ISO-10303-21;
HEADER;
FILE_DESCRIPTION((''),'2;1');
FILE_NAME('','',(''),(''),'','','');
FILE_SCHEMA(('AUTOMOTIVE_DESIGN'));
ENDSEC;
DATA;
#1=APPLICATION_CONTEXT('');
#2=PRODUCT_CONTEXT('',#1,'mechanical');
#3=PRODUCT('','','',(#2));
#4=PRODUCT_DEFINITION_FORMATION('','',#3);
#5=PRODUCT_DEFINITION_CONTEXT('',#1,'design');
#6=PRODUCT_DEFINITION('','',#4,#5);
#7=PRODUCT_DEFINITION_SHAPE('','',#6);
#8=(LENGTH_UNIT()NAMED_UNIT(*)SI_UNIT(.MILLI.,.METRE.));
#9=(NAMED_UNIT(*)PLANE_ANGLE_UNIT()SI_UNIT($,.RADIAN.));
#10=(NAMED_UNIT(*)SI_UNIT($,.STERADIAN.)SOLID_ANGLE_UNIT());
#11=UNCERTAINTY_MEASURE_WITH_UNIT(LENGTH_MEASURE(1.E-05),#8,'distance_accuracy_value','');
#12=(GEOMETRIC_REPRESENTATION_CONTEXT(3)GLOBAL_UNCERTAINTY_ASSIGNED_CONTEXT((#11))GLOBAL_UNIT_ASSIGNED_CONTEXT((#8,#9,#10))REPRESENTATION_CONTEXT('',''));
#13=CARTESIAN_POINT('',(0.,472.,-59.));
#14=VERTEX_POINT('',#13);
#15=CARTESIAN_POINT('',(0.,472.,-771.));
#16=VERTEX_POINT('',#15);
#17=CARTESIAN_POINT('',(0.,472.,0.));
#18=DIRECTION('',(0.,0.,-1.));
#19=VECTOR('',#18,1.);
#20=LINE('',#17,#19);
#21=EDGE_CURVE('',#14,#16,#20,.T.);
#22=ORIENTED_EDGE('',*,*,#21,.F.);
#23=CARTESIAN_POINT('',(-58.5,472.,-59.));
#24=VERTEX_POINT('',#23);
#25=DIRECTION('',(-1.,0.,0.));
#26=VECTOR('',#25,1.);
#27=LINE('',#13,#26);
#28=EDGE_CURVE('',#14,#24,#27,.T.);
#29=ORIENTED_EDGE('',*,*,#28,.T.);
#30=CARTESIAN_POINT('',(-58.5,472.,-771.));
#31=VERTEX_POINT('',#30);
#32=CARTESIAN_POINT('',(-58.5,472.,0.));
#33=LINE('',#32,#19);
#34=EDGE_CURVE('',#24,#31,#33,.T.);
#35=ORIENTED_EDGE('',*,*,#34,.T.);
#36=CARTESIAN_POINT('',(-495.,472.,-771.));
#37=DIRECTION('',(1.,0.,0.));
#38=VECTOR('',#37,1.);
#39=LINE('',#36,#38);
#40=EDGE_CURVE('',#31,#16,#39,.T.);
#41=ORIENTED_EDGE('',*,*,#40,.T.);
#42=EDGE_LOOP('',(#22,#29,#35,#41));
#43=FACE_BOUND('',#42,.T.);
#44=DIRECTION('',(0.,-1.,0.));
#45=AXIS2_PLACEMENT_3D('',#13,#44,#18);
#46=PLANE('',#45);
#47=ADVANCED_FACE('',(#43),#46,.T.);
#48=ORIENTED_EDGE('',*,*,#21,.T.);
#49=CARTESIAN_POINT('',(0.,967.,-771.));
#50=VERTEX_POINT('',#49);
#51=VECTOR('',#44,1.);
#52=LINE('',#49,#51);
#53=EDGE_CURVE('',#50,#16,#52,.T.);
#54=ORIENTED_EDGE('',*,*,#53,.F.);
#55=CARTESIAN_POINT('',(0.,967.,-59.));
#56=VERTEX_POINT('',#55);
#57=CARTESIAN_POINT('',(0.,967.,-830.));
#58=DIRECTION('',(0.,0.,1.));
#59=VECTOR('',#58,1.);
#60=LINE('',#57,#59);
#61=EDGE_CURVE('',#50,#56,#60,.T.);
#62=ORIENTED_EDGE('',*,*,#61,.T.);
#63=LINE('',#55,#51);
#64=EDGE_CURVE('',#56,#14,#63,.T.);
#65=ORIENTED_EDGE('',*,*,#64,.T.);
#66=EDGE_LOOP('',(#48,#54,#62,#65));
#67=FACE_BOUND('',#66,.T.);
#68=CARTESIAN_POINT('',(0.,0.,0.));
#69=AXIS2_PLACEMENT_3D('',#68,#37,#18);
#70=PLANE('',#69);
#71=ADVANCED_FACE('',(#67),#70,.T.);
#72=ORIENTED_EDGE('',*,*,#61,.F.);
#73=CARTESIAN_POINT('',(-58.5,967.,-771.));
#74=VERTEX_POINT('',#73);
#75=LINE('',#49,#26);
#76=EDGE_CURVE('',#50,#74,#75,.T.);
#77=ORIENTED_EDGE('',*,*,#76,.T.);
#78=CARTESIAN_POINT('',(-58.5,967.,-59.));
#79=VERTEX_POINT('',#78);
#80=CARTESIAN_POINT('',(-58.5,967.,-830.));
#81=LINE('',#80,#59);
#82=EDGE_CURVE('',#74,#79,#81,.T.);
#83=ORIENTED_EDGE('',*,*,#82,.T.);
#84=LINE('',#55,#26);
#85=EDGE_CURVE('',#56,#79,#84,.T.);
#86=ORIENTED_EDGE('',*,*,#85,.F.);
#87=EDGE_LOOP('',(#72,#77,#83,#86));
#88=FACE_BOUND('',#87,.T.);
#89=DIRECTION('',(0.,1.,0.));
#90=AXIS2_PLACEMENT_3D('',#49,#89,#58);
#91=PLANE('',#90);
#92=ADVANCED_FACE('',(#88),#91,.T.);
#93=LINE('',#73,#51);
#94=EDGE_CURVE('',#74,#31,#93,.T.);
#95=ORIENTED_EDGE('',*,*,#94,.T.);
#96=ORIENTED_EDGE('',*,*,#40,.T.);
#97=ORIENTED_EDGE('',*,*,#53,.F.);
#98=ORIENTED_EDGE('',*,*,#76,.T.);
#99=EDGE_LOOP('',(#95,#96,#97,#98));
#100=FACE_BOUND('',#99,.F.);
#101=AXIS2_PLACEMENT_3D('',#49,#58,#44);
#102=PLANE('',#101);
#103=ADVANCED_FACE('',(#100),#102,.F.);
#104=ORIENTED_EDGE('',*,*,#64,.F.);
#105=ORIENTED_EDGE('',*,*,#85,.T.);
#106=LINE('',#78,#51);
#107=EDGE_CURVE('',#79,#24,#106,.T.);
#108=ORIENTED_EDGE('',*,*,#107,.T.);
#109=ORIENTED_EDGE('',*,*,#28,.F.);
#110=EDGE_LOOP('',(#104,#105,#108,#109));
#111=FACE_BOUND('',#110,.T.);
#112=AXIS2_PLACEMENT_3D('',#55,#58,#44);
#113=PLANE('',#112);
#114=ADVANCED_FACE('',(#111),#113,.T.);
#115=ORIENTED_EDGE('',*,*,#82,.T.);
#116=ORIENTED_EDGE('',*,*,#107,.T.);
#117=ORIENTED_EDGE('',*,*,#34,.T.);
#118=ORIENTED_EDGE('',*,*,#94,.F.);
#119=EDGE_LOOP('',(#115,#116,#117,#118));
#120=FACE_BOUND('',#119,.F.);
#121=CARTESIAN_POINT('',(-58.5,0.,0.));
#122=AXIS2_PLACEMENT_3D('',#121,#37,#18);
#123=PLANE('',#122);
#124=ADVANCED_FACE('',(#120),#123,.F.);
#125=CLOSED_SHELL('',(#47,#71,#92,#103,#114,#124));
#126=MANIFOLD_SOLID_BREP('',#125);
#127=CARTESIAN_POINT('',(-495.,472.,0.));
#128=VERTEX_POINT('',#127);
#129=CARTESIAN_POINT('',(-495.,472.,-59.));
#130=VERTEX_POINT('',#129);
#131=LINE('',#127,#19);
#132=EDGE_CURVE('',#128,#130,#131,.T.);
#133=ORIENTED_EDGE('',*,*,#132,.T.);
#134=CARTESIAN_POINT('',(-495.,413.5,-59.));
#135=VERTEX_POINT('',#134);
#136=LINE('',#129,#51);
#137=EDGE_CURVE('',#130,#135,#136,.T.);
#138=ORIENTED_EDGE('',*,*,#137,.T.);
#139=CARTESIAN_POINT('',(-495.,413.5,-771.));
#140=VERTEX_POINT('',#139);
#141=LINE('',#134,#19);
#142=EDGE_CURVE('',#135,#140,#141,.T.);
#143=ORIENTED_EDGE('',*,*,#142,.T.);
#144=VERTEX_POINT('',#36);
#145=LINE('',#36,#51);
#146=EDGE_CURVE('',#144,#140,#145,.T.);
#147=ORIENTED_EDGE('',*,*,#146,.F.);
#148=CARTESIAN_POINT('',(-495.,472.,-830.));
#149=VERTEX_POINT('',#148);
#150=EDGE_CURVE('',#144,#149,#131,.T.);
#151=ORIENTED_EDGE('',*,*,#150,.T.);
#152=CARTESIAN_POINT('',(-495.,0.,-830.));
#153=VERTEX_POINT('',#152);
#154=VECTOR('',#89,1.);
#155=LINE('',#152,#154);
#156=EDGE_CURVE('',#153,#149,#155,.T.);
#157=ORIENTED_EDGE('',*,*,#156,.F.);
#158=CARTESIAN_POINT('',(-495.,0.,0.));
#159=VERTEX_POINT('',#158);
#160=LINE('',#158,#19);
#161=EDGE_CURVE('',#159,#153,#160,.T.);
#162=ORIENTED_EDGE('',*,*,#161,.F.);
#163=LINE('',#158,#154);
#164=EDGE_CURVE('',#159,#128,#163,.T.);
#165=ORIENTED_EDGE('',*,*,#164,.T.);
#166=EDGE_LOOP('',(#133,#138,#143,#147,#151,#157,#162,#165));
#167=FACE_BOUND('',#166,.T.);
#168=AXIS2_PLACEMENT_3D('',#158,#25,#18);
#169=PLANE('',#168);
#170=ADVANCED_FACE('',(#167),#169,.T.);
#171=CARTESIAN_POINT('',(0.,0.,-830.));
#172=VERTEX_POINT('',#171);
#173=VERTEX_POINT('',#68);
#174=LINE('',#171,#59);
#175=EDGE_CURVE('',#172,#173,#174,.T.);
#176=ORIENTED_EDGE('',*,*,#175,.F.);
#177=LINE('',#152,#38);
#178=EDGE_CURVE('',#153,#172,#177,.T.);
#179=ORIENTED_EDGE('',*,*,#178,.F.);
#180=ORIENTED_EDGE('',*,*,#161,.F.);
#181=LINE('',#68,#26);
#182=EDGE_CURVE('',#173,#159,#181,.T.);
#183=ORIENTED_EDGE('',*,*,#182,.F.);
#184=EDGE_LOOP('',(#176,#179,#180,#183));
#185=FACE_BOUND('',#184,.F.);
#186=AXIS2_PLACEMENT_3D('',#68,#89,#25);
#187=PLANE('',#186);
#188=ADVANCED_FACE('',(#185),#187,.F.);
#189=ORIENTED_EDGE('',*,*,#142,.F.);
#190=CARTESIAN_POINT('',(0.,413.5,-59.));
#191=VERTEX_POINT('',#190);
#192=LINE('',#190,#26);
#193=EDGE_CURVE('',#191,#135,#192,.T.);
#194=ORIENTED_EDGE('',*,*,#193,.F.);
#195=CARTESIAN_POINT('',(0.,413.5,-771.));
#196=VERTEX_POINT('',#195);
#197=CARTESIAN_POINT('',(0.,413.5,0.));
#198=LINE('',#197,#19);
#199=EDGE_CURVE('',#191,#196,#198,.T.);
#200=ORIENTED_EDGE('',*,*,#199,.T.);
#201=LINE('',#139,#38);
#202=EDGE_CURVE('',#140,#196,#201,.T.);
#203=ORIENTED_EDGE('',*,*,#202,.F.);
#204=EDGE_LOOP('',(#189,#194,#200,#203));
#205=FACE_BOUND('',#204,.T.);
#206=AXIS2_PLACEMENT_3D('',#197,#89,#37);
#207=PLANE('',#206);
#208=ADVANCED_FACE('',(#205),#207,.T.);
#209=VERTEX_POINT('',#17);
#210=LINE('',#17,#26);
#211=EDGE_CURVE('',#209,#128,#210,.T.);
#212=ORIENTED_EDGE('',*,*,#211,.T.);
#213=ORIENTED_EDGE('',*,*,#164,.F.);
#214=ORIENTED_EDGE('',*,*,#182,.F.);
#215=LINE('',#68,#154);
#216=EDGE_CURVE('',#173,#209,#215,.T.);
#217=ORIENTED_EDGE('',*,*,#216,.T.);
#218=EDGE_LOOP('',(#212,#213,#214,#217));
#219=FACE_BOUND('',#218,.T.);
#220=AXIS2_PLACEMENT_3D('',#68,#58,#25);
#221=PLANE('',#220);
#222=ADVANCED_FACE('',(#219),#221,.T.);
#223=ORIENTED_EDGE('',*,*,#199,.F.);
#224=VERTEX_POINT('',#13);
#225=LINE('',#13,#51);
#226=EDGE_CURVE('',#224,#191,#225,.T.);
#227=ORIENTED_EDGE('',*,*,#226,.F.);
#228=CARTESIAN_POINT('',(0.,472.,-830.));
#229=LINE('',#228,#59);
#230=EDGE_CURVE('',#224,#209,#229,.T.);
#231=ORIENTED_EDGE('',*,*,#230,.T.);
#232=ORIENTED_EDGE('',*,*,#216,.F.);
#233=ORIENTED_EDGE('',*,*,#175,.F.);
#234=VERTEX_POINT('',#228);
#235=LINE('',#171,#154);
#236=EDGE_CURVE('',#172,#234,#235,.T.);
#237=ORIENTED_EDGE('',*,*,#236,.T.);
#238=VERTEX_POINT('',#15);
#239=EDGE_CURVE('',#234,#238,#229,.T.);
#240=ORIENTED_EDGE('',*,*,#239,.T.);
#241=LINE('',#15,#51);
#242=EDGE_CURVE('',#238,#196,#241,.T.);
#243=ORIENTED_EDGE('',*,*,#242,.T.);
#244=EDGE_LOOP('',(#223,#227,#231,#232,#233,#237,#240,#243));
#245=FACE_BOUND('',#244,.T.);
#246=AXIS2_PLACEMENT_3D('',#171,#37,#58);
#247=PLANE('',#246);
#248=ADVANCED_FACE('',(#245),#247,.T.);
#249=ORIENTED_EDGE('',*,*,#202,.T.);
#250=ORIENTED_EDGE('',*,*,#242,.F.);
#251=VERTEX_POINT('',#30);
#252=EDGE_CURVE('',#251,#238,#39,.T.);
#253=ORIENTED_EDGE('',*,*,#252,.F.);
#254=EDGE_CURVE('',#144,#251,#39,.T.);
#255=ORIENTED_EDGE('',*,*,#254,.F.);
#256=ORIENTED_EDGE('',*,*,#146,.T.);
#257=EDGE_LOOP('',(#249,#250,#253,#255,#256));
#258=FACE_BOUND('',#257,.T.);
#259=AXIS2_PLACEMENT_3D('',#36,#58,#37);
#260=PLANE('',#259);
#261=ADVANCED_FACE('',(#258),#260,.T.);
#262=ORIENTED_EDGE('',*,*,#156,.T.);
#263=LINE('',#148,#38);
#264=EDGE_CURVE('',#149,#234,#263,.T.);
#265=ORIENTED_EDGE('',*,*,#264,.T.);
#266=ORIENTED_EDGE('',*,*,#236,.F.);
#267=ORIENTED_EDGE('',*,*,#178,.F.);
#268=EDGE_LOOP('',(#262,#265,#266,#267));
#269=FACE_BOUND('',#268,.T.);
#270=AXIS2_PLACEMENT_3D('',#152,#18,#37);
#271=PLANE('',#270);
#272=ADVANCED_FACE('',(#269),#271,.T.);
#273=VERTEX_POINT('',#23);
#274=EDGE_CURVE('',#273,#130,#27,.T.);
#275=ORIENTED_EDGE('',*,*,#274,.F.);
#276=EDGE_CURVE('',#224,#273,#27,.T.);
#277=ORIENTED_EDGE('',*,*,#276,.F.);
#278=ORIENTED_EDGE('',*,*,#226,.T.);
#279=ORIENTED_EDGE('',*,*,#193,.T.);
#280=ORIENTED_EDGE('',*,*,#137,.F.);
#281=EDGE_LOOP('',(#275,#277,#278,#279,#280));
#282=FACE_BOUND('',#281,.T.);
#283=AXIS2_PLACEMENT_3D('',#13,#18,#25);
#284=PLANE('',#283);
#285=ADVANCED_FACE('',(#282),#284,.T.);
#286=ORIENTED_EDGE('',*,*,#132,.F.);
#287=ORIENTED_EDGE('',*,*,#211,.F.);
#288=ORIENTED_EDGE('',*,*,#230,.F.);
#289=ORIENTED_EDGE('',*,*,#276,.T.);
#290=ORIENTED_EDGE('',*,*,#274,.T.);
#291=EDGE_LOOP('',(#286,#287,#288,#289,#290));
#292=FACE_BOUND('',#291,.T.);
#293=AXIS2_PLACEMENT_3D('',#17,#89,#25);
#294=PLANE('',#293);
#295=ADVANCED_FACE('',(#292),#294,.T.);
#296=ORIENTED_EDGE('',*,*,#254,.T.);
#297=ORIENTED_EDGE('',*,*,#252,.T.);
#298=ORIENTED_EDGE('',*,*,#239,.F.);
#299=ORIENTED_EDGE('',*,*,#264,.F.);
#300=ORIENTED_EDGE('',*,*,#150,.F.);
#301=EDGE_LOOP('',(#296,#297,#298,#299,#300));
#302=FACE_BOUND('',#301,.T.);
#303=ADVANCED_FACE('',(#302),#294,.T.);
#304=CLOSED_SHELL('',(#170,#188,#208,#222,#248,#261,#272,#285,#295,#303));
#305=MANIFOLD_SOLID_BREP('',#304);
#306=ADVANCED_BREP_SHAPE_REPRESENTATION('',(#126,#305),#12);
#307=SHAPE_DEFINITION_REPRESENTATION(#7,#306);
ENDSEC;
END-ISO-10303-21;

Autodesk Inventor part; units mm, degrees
ref_plane "YZ Plane" through (0, 0, 0) normal (1, 0, 0) x (0, 1, 0)
ref_plane "XZ Plane" through (0, 0, 0) normal (0, 1, 0) x (-1, 0, 0)
ref_plane "XY Plane" through (0, 0, 0) normal (0, 0, 1) x (1, 0, 0)
sketch "Sketch1" plane through (0, 0, 0) normal (0, 1, 0) x (-1, 0, 0)
  line L0 (0, 0) -> (495, 0)
  line L1 (495, 0) -> (495, -830)
  line L2 (495, -830) -> (0, -830)
  line L3 (0, -830) -> (0, 0)
  dimension "d0" = 495
  dimension "d1" = 830
extrude "Extrusion1" add sketch "Sketch1" along normal blind 472
sketch "Sketch2" plane through (0, 472, 0) normal (0, 1, 0) x (1, 0, 0)
  line L0 (-495, 0) -> (0, 0) projected
  line L1 (0, 0) -> (0, 830) projected
  line L2 (-495, 0) -> (0, 0)
  line L3 (0, 0) -> (0, 59)
  line L4 (0, 59) -> (-495, 59)
  line L5 (-495, 59) -> (-495, 0)
  line L6 (0, 830) -> (-495, 830) projected
  line L7 (0, 830) -> (-495, 830)
  line L8 (-495, 830) -> (-495, 771)
  line L9 (-495, 771) -> (0, 771)
  line L10 (0, 771) -> (0, 830)
  line L11 (-495, 771) -> (0, 771)
  line L12 (0, 771) -> (0, 59)
  line L13 (0, 59) -> (-495, 59)
  line L14 (-495, 59) -> (-495, 771)
  dimension "d4" = 59
  dimension "d5" = 59
extrude "Extrusion2" cut sketch "Sketch2" against normal blind 58.5 contours L14 L9 L1 L4
sketch "Sketch3" plane through (0, 0, 0) normal (1, 0, 0) x (0, 0, -1)
  line L0 (0, 0) -> (0, 472) projected
  line L1 (0, 472) -> (830, 472)
  line L2 (830, 472) -> (830, 967)
  line L3 (830, 967) -> (0, 967)
  line L4 (0, 967) -> (0, 472)
  line L5 (59, 472) -> (59, 413.5) projected
  line L6 (0, 967) -> (59, 967)
  line L7 (59, 967) -> (59, 472)
  line L8 (59, 472) -> (0, 472)
  line L9 (0, 472) -> (0, 967)
  line L10 (771, 472) -> (830, 472)
  line L11 (830, 472) -> (830, 967)
  line L12 (830, 967) -> (771, 967)
  line L13 (771, 967) -> (771, 472)
  line L14 (771, 967) -> (59, 967)
  line L15 (59, 967) -> (59, 472)
  line L16 (59, 472) -> (771, 472)
  line L17 (771, 472) -> (771, 967)
  dimension "d8" = 495
extrude "Extrusion3" add sketch "Sketch3" against normal blind 58.5 contours L7 L3 L13 L1
properties part number "0 - Fridge"
